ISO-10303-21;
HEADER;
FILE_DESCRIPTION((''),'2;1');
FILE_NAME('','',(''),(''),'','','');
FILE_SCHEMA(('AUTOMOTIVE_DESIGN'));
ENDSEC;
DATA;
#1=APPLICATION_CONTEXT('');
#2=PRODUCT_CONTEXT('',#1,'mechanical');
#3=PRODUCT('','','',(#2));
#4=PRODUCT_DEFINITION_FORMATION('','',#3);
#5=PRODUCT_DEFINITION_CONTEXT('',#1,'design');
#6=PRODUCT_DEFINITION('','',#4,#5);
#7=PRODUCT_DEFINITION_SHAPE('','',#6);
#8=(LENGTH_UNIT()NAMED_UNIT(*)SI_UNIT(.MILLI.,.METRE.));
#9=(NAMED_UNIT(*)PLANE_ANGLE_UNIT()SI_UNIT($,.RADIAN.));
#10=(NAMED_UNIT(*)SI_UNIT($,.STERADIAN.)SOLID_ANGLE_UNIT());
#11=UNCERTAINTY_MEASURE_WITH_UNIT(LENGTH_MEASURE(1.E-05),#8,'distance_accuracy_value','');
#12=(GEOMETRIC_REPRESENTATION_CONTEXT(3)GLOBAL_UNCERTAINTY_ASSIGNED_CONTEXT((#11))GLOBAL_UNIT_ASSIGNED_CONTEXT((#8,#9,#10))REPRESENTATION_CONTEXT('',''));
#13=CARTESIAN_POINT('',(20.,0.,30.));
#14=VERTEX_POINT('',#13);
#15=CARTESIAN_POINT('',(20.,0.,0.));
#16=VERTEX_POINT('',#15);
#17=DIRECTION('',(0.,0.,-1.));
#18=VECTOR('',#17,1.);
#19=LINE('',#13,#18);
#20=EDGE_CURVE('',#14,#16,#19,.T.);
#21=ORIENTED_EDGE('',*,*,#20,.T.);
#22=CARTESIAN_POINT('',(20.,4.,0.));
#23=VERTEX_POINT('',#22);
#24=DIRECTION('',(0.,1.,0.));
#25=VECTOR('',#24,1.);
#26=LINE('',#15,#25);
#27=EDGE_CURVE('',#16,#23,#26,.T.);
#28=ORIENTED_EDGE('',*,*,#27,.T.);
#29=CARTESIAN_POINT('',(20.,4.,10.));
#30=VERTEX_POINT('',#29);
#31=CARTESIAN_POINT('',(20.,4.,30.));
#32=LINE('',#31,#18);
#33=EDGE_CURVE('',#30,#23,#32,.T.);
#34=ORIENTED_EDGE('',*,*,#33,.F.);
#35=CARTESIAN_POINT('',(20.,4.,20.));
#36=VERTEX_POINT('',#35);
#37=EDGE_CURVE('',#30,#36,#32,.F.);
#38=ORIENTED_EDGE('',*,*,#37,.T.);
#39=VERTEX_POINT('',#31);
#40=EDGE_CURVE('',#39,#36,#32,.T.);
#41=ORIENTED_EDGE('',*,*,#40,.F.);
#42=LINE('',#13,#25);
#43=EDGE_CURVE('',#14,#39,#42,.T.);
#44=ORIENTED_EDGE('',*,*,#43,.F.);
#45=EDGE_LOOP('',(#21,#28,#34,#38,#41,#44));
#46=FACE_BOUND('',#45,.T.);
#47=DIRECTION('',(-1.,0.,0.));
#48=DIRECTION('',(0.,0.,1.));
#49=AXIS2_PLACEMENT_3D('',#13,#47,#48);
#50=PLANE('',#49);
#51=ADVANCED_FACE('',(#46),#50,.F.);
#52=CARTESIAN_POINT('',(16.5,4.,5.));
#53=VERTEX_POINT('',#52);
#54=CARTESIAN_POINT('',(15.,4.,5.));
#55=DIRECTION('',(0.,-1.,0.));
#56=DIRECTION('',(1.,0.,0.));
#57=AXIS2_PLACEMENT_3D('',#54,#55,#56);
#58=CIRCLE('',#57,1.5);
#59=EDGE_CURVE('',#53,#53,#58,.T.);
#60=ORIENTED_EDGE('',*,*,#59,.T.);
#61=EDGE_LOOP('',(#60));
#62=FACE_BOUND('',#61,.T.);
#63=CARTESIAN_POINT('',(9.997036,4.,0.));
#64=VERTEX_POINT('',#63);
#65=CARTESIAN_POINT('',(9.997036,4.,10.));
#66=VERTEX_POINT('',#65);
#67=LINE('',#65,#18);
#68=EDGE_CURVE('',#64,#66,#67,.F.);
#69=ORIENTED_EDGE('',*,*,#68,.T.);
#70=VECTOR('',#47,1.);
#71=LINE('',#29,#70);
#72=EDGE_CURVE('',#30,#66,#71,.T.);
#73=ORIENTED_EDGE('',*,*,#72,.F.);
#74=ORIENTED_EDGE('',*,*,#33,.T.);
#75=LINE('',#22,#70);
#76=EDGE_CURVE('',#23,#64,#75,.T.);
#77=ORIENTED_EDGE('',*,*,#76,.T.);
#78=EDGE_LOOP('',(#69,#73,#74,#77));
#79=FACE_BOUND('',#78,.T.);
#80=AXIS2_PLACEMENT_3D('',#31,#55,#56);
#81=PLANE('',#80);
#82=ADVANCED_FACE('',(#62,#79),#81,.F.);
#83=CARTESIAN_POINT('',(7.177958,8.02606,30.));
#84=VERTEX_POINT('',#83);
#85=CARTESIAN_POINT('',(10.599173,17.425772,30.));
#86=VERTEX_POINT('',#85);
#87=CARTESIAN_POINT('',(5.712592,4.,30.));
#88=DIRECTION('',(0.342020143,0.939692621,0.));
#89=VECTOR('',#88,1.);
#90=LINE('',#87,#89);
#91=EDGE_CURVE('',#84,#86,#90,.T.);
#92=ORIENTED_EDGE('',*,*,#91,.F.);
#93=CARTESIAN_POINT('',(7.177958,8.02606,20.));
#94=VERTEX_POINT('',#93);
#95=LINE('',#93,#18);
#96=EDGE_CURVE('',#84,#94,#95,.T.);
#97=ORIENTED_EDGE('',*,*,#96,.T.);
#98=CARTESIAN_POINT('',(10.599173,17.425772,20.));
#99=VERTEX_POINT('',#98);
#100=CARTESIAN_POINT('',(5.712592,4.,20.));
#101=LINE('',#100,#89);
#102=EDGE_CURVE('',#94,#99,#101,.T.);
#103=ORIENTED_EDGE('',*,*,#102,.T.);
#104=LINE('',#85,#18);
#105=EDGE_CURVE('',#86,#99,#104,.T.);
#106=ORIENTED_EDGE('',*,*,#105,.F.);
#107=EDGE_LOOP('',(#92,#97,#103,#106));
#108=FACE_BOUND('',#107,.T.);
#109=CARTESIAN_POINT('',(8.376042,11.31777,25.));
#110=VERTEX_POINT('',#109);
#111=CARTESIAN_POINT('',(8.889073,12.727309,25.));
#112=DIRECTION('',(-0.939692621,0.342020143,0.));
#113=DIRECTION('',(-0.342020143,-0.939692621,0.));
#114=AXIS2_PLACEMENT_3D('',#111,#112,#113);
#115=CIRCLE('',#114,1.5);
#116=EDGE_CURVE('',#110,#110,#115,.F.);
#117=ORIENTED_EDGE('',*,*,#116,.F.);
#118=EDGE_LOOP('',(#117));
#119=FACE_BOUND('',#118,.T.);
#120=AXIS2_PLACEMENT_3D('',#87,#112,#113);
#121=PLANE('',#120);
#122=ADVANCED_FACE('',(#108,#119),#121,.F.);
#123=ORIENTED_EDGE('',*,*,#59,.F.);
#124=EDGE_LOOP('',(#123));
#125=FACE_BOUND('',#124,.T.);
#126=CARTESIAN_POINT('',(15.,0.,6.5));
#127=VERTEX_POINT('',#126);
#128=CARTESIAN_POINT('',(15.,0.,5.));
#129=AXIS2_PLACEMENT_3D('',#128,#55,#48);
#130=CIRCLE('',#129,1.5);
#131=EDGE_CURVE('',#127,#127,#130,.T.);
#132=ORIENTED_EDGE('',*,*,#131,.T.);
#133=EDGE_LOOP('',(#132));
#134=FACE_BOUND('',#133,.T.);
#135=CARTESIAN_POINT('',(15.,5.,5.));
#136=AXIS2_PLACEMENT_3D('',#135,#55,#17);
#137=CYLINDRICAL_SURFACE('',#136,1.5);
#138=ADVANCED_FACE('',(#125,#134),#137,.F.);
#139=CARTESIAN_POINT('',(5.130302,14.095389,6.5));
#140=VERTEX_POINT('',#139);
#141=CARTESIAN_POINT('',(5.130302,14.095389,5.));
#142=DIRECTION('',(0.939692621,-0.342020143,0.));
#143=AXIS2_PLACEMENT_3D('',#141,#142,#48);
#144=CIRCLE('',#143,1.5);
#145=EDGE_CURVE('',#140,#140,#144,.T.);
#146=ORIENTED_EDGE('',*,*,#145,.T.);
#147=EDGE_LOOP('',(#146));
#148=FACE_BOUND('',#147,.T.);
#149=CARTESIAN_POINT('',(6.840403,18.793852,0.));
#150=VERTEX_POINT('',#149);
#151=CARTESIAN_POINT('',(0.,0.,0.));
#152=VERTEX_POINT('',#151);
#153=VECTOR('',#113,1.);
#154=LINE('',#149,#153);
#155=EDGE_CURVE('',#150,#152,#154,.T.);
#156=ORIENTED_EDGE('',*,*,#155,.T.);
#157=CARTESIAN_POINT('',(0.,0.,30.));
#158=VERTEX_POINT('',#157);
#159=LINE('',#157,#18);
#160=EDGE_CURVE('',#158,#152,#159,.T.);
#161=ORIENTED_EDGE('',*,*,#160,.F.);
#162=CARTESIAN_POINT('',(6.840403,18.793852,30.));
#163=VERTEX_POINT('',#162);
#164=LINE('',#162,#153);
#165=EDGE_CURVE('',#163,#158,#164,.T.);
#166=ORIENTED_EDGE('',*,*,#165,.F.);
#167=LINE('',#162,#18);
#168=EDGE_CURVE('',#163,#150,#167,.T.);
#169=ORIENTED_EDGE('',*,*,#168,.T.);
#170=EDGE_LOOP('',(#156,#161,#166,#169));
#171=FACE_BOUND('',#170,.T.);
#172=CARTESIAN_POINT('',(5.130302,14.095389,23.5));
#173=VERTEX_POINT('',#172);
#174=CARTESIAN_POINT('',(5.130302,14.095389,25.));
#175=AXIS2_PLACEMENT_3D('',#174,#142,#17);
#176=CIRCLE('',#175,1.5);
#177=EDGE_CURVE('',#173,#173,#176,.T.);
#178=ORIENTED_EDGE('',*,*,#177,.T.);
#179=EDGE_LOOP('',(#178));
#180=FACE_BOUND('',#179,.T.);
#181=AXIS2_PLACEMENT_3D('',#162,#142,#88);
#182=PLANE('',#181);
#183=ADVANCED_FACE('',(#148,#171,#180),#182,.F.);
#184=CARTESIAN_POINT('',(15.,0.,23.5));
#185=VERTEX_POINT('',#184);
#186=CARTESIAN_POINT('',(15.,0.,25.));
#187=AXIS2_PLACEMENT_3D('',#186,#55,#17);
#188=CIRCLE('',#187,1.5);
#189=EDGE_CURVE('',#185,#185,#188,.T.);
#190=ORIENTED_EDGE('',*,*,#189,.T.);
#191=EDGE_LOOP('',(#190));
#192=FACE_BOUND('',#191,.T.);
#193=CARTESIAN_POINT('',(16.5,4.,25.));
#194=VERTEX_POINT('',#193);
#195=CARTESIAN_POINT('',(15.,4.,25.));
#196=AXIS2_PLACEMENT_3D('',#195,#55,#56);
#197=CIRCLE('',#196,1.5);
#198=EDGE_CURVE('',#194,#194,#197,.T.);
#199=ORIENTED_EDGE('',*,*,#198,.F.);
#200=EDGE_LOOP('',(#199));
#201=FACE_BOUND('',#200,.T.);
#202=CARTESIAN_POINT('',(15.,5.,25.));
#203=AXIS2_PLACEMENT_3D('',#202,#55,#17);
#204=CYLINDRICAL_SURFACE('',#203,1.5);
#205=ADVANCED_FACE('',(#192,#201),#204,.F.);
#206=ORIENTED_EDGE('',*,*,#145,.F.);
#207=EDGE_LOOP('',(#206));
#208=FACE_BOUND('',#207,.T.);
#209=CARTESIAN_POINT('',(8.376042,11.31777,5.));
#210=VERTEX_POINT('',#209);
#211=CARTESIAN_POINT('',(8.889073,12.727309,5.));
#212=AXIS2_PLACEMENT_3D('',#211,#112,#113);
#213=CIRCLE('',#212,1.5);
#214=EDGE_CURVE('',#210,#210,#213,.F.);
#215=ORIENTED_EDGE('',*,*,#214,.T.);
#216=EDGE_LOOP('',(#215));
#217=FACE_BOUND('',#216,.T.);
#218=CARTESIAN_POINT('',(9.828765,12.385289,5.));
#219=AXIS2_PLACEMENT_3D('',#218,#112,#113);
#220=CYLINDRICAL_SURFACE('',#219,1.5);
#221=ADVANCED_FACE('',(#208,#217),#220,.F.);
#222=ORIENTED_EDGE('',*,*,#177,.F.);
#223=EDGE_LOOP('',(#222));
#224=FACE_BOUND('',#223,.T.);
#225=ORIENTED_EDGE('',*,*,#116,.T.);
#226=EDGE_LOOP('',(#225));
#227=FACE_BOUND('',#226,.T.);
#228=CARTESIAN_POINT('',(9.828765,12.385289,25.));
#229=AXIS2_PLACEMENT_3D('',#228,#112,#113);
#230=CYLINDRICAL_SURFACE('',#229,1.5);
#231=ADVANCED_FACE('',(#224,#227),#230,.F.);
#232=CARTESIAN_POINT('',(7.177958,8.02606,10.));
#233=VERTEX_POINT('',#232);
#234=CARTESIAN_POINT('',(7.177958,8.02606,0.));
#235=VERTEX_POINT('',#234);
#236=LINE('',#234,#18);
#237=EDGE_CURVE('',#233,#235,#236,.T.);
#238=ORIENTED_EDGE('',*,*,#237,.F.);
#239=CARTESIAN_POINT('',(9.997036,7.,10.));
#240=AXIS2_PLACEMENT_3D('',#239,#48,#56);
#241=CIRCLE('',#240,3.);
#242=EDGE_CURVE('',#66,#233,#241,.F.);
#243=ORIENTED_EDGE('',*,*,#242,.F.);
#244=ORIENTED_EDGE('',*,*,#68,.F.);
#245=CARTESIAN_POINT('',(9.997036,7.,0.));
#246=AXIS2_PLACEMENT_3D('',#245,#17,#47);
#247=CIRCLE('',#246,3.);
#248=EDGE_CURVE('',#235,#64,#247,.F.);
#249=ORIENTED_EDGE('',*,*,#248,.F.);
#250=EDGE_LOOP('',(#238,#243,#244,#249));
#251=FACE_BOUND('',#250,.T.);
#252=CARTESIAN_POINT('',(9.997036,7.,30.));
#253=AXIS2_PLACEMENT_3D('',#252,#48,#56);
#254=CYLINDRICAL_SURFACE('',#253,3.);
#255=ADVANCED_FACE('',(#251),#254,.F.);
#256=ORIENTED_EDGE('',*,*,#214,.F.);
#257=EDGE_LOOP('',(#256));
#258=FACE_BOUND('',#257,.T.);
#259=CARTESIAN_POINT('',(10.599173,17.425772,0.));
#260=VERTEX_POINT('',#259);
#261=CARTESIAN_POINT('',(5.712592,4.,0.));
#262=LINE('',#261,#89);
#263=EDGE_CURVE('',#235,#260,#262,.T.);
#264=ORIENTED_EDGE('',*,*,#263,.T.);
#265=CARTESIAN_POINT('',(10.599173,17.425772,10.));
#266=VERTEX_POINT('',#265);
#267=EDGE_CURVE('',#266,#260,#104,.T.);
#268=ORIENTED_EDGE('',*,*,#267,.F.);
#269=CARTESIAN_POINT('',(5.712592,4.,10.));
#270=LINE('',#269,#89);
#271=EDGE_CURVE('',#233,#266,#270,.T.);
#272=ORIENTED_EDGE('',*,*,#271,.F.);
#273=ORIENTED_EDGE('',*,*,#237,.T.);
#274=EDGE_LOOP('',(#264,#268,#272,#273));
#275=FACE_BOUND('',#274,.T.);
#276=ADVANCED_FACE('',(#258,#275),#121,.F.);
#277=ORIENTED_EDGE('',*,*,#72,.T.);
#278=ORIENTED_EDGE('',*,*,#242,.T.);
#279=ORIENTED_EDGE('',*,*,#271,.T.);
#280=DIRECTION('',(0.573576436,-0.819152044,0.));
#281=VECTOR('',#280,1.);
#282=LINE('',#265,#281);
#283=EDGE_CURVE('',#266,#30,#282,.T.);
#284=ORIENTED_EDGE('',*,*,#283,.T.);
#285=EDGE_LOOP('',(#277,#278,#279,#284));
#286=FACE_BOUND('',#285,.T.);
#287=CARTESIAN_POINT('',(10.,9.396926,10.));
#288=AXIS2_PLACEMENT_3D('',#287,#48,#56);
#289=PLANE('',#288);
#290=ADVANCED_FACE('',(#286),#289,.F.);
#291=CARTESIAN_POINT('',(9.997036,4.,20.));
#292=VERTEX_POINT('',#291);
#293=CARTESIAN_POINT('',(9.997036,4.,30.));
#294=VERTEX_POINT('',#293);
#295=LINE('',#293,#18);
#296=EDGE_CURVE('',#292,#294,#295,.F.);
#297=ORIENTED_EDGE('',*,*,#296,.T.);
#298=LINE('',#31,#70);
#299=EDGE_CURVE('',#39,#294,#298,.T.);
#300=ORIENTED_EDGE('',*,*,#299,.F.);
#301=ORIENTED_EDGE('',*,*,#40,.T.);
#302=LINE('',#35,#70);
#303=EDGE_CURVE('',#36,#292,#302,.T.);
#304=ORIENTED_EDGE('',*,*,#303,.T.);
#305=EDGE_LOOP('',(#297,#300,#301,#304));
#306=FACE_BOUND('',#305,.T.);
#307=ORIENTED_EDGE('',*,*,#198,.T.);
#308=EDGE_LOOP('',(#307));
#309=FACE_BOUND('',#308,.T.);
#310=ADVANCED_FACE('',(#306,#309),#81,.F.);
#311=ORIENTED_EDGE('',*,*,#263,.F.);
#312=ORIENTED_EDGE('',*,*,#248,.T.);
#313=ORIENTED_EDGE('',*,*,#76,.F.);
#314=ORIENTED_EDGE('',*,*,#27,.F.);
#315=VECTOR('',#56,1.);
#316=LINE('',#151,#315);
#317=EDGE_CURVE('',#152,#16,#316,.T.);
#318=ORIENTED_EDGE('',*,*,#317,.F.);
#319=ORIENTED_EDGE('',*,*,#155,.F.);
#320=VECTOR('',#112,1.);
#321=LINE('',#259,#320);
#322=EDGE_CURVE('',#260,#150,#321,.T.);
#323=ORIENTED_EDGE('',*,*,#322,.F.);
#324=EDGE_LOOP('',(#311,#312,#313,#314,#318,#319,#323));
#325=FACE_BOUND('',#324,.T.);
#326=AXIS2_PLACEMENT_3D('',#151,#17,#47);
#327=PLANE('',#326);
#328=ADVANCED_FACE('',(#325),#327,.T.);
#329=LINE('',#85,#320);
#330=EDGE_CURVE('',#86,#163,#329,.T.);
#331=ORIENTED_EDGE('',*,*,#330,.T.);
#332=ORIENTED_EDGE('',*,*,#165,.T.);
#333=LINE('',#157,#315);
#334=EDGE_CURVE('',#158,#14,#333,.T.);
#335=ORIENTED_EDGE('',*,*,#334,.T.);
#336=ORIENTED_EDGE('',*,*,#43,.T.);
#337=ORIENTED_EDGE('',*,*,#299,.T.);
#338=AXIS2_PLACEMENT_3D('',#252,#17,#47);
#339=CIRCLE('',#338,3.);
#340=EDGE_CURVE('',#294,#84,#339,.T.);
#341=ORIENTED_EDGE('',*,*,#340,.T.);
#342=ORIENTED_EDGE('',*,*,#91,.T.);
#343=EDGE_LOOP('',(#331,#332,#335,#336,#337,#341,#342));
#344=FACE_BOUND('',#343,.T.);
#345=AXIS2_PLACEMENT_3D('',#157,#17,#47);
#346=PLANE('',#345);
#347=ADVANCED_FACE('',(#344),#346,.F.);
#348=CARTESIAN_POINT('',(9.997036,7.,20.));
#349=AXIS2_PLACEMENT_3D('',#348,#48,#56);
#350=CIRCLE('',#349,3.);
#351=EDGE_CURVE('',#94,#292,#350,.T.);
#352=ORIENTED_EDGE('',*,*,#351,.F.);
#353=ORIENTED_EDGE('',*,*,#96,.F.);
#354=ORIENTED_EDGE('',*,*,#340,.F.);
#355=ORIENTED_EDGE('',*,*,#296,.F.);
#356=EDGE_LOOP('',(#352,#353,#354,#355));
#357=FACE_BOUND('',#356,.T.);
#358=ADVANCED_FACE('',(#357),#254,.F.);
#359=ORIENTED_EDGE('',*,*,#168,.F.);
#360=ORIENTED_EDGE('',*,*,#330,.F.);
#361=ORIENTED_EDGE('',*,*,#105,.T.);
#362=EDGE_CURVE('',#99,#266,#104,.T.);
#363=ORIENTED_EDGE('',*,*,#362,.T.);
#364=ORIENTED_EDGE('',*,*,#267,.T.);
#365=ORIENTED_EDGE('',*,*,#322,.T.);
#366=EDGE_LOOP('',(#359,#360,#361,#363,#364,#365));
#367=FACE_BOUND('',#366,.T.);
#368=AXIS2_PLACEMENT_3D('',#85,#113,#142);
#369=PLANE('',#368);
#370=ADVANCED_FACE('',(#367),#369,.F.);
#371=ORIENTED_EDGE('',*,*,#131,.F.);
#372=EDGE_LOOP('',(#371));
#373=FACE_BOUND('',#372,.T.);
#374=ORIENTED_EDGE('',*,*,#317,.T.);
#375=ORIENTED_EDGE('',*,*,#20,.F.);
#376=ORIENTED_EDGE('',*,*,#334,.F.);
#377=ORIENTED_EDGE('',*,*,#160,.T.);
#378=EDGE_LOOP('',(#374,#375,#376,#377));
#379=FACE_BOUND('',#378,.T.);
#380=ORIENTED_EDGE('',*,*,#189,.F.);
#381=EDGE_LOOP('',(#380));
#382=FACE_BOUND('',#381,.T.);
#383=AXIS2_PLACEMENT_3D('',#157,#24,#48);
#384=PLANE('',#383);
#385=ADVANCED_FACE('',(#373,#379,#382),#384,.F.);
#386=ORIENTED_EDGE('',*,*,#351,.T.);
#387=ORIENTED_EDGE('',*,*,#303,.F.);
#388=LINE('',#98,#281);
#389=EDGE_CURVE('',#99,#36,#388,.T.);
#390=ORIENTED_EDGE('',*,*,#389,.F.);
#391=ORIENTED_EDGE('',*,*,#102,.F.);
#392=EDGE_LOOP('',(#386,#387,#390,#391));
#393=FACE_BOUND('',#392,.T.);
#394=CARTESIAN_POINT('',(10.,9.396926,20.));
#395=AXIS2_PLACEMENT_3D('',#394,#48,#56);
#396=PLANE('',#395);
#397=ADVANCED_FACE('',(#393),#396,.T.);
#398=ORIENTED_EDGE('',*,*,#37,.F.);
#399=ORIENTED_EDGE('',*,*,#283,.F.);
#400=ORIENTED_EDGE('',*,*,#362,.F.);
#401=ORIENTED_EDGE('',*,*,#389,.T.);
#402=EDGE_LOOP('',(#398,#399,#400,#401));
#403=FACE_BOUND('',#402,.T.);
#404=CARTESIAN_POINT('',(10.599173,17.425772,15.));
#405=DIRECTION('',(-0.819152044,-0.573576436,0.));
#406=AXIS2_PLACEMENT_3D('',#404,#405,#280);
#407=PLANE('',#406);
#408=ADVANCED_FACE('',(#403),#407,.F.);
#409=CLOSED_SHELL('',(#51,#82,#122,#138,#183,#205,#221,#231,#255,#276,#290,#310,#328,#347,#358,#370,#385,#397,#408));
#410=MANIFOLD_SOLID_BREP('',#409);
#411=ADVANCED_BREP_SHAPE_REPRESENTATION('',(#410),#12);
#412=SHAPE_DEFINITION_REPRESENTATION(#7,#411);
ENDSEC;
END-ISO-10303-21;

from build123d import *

# Parameters (mm, degrees)
EXTRUDE_1_DEPTH     = 30
SKETCH_2_R          = 1.5
CUT_EXTRUDE_1_DEPTH = 5
RIB_11_REACH        = 33.276
SKETCH_3_WALL_W     = 80.94250335
SKETCH_3_WALL_H     = 10
FILLET_1_R          = 3


with BuildPart() as part:
    # 草图1 → 凸台-拉伸1 (new body)
    with BuildSketch(Plane.XY):
        Polygon((0, 0), (20, 0), (20, 4), (5.712592027, 4), (10.59917335, 17.425771842), (6.840402867, 18.793852416), align=None)
    extrude(amount=EXTRUDE_1_DEPTH)

    # 草图2 → 切除-拉伸1 (cut)
    with BuildSketch(Plane.XZ):
        with Locations(Location((15, 25, 0), (0, 0, 270))):
            Circle(SKETCH_2_R)
        with Locations((15, 5)):
            Circle(SKETCH_2_R)
    cut_extrude_1 = extrude(amount=-CUT_EXTRUDE_1_DEPTH, mode=Mode.SUBTRACT)

    # 镜向1: 切除-拉伸1 across plane
    add(cut_extrude_1.mirror(Plane(origin=(0, 0, 0), x_dir=(0, 0, 1), z_dir=(-0.5735764363510445, 0.8191520442889929, 0))), mode=Mode.SUBTRACT)

    # 草图3 wall → 筋11 (add, up to next)
    with BuildSketch(Plane(origin=(15.299586675, 10.712885921, 15), x_dir=(0.573576436349, -0.81915204429, 0), z_dir=(0.81915204429, 0.573576436349, 0)), mode=Mode.PRIVATE) as rib_11_sk1:
        Rectangle(SKETCH_3_WALL_W, SKETCH_3_WALL_H)
    rib_11_tool1 = extrude(rib_11_sk1.sketch, amount=-RIB_11_REACH, mode=Mode.PRIVATE) - part.part
    add(rib_11_tool1.solids().sort_by_distance((15.299586675, 10.712885921, 15))[0])

    # 圆角1
    fillet_1_edges = [part.edges().sort_by_distance(p)[0] for p in [
        (5.712592027, 4, 25),
        (5.712592027, 4, 5),
    ]]
    fillet(fillet_1_edges, radius=FILLET_1_R)


solid = part.part
